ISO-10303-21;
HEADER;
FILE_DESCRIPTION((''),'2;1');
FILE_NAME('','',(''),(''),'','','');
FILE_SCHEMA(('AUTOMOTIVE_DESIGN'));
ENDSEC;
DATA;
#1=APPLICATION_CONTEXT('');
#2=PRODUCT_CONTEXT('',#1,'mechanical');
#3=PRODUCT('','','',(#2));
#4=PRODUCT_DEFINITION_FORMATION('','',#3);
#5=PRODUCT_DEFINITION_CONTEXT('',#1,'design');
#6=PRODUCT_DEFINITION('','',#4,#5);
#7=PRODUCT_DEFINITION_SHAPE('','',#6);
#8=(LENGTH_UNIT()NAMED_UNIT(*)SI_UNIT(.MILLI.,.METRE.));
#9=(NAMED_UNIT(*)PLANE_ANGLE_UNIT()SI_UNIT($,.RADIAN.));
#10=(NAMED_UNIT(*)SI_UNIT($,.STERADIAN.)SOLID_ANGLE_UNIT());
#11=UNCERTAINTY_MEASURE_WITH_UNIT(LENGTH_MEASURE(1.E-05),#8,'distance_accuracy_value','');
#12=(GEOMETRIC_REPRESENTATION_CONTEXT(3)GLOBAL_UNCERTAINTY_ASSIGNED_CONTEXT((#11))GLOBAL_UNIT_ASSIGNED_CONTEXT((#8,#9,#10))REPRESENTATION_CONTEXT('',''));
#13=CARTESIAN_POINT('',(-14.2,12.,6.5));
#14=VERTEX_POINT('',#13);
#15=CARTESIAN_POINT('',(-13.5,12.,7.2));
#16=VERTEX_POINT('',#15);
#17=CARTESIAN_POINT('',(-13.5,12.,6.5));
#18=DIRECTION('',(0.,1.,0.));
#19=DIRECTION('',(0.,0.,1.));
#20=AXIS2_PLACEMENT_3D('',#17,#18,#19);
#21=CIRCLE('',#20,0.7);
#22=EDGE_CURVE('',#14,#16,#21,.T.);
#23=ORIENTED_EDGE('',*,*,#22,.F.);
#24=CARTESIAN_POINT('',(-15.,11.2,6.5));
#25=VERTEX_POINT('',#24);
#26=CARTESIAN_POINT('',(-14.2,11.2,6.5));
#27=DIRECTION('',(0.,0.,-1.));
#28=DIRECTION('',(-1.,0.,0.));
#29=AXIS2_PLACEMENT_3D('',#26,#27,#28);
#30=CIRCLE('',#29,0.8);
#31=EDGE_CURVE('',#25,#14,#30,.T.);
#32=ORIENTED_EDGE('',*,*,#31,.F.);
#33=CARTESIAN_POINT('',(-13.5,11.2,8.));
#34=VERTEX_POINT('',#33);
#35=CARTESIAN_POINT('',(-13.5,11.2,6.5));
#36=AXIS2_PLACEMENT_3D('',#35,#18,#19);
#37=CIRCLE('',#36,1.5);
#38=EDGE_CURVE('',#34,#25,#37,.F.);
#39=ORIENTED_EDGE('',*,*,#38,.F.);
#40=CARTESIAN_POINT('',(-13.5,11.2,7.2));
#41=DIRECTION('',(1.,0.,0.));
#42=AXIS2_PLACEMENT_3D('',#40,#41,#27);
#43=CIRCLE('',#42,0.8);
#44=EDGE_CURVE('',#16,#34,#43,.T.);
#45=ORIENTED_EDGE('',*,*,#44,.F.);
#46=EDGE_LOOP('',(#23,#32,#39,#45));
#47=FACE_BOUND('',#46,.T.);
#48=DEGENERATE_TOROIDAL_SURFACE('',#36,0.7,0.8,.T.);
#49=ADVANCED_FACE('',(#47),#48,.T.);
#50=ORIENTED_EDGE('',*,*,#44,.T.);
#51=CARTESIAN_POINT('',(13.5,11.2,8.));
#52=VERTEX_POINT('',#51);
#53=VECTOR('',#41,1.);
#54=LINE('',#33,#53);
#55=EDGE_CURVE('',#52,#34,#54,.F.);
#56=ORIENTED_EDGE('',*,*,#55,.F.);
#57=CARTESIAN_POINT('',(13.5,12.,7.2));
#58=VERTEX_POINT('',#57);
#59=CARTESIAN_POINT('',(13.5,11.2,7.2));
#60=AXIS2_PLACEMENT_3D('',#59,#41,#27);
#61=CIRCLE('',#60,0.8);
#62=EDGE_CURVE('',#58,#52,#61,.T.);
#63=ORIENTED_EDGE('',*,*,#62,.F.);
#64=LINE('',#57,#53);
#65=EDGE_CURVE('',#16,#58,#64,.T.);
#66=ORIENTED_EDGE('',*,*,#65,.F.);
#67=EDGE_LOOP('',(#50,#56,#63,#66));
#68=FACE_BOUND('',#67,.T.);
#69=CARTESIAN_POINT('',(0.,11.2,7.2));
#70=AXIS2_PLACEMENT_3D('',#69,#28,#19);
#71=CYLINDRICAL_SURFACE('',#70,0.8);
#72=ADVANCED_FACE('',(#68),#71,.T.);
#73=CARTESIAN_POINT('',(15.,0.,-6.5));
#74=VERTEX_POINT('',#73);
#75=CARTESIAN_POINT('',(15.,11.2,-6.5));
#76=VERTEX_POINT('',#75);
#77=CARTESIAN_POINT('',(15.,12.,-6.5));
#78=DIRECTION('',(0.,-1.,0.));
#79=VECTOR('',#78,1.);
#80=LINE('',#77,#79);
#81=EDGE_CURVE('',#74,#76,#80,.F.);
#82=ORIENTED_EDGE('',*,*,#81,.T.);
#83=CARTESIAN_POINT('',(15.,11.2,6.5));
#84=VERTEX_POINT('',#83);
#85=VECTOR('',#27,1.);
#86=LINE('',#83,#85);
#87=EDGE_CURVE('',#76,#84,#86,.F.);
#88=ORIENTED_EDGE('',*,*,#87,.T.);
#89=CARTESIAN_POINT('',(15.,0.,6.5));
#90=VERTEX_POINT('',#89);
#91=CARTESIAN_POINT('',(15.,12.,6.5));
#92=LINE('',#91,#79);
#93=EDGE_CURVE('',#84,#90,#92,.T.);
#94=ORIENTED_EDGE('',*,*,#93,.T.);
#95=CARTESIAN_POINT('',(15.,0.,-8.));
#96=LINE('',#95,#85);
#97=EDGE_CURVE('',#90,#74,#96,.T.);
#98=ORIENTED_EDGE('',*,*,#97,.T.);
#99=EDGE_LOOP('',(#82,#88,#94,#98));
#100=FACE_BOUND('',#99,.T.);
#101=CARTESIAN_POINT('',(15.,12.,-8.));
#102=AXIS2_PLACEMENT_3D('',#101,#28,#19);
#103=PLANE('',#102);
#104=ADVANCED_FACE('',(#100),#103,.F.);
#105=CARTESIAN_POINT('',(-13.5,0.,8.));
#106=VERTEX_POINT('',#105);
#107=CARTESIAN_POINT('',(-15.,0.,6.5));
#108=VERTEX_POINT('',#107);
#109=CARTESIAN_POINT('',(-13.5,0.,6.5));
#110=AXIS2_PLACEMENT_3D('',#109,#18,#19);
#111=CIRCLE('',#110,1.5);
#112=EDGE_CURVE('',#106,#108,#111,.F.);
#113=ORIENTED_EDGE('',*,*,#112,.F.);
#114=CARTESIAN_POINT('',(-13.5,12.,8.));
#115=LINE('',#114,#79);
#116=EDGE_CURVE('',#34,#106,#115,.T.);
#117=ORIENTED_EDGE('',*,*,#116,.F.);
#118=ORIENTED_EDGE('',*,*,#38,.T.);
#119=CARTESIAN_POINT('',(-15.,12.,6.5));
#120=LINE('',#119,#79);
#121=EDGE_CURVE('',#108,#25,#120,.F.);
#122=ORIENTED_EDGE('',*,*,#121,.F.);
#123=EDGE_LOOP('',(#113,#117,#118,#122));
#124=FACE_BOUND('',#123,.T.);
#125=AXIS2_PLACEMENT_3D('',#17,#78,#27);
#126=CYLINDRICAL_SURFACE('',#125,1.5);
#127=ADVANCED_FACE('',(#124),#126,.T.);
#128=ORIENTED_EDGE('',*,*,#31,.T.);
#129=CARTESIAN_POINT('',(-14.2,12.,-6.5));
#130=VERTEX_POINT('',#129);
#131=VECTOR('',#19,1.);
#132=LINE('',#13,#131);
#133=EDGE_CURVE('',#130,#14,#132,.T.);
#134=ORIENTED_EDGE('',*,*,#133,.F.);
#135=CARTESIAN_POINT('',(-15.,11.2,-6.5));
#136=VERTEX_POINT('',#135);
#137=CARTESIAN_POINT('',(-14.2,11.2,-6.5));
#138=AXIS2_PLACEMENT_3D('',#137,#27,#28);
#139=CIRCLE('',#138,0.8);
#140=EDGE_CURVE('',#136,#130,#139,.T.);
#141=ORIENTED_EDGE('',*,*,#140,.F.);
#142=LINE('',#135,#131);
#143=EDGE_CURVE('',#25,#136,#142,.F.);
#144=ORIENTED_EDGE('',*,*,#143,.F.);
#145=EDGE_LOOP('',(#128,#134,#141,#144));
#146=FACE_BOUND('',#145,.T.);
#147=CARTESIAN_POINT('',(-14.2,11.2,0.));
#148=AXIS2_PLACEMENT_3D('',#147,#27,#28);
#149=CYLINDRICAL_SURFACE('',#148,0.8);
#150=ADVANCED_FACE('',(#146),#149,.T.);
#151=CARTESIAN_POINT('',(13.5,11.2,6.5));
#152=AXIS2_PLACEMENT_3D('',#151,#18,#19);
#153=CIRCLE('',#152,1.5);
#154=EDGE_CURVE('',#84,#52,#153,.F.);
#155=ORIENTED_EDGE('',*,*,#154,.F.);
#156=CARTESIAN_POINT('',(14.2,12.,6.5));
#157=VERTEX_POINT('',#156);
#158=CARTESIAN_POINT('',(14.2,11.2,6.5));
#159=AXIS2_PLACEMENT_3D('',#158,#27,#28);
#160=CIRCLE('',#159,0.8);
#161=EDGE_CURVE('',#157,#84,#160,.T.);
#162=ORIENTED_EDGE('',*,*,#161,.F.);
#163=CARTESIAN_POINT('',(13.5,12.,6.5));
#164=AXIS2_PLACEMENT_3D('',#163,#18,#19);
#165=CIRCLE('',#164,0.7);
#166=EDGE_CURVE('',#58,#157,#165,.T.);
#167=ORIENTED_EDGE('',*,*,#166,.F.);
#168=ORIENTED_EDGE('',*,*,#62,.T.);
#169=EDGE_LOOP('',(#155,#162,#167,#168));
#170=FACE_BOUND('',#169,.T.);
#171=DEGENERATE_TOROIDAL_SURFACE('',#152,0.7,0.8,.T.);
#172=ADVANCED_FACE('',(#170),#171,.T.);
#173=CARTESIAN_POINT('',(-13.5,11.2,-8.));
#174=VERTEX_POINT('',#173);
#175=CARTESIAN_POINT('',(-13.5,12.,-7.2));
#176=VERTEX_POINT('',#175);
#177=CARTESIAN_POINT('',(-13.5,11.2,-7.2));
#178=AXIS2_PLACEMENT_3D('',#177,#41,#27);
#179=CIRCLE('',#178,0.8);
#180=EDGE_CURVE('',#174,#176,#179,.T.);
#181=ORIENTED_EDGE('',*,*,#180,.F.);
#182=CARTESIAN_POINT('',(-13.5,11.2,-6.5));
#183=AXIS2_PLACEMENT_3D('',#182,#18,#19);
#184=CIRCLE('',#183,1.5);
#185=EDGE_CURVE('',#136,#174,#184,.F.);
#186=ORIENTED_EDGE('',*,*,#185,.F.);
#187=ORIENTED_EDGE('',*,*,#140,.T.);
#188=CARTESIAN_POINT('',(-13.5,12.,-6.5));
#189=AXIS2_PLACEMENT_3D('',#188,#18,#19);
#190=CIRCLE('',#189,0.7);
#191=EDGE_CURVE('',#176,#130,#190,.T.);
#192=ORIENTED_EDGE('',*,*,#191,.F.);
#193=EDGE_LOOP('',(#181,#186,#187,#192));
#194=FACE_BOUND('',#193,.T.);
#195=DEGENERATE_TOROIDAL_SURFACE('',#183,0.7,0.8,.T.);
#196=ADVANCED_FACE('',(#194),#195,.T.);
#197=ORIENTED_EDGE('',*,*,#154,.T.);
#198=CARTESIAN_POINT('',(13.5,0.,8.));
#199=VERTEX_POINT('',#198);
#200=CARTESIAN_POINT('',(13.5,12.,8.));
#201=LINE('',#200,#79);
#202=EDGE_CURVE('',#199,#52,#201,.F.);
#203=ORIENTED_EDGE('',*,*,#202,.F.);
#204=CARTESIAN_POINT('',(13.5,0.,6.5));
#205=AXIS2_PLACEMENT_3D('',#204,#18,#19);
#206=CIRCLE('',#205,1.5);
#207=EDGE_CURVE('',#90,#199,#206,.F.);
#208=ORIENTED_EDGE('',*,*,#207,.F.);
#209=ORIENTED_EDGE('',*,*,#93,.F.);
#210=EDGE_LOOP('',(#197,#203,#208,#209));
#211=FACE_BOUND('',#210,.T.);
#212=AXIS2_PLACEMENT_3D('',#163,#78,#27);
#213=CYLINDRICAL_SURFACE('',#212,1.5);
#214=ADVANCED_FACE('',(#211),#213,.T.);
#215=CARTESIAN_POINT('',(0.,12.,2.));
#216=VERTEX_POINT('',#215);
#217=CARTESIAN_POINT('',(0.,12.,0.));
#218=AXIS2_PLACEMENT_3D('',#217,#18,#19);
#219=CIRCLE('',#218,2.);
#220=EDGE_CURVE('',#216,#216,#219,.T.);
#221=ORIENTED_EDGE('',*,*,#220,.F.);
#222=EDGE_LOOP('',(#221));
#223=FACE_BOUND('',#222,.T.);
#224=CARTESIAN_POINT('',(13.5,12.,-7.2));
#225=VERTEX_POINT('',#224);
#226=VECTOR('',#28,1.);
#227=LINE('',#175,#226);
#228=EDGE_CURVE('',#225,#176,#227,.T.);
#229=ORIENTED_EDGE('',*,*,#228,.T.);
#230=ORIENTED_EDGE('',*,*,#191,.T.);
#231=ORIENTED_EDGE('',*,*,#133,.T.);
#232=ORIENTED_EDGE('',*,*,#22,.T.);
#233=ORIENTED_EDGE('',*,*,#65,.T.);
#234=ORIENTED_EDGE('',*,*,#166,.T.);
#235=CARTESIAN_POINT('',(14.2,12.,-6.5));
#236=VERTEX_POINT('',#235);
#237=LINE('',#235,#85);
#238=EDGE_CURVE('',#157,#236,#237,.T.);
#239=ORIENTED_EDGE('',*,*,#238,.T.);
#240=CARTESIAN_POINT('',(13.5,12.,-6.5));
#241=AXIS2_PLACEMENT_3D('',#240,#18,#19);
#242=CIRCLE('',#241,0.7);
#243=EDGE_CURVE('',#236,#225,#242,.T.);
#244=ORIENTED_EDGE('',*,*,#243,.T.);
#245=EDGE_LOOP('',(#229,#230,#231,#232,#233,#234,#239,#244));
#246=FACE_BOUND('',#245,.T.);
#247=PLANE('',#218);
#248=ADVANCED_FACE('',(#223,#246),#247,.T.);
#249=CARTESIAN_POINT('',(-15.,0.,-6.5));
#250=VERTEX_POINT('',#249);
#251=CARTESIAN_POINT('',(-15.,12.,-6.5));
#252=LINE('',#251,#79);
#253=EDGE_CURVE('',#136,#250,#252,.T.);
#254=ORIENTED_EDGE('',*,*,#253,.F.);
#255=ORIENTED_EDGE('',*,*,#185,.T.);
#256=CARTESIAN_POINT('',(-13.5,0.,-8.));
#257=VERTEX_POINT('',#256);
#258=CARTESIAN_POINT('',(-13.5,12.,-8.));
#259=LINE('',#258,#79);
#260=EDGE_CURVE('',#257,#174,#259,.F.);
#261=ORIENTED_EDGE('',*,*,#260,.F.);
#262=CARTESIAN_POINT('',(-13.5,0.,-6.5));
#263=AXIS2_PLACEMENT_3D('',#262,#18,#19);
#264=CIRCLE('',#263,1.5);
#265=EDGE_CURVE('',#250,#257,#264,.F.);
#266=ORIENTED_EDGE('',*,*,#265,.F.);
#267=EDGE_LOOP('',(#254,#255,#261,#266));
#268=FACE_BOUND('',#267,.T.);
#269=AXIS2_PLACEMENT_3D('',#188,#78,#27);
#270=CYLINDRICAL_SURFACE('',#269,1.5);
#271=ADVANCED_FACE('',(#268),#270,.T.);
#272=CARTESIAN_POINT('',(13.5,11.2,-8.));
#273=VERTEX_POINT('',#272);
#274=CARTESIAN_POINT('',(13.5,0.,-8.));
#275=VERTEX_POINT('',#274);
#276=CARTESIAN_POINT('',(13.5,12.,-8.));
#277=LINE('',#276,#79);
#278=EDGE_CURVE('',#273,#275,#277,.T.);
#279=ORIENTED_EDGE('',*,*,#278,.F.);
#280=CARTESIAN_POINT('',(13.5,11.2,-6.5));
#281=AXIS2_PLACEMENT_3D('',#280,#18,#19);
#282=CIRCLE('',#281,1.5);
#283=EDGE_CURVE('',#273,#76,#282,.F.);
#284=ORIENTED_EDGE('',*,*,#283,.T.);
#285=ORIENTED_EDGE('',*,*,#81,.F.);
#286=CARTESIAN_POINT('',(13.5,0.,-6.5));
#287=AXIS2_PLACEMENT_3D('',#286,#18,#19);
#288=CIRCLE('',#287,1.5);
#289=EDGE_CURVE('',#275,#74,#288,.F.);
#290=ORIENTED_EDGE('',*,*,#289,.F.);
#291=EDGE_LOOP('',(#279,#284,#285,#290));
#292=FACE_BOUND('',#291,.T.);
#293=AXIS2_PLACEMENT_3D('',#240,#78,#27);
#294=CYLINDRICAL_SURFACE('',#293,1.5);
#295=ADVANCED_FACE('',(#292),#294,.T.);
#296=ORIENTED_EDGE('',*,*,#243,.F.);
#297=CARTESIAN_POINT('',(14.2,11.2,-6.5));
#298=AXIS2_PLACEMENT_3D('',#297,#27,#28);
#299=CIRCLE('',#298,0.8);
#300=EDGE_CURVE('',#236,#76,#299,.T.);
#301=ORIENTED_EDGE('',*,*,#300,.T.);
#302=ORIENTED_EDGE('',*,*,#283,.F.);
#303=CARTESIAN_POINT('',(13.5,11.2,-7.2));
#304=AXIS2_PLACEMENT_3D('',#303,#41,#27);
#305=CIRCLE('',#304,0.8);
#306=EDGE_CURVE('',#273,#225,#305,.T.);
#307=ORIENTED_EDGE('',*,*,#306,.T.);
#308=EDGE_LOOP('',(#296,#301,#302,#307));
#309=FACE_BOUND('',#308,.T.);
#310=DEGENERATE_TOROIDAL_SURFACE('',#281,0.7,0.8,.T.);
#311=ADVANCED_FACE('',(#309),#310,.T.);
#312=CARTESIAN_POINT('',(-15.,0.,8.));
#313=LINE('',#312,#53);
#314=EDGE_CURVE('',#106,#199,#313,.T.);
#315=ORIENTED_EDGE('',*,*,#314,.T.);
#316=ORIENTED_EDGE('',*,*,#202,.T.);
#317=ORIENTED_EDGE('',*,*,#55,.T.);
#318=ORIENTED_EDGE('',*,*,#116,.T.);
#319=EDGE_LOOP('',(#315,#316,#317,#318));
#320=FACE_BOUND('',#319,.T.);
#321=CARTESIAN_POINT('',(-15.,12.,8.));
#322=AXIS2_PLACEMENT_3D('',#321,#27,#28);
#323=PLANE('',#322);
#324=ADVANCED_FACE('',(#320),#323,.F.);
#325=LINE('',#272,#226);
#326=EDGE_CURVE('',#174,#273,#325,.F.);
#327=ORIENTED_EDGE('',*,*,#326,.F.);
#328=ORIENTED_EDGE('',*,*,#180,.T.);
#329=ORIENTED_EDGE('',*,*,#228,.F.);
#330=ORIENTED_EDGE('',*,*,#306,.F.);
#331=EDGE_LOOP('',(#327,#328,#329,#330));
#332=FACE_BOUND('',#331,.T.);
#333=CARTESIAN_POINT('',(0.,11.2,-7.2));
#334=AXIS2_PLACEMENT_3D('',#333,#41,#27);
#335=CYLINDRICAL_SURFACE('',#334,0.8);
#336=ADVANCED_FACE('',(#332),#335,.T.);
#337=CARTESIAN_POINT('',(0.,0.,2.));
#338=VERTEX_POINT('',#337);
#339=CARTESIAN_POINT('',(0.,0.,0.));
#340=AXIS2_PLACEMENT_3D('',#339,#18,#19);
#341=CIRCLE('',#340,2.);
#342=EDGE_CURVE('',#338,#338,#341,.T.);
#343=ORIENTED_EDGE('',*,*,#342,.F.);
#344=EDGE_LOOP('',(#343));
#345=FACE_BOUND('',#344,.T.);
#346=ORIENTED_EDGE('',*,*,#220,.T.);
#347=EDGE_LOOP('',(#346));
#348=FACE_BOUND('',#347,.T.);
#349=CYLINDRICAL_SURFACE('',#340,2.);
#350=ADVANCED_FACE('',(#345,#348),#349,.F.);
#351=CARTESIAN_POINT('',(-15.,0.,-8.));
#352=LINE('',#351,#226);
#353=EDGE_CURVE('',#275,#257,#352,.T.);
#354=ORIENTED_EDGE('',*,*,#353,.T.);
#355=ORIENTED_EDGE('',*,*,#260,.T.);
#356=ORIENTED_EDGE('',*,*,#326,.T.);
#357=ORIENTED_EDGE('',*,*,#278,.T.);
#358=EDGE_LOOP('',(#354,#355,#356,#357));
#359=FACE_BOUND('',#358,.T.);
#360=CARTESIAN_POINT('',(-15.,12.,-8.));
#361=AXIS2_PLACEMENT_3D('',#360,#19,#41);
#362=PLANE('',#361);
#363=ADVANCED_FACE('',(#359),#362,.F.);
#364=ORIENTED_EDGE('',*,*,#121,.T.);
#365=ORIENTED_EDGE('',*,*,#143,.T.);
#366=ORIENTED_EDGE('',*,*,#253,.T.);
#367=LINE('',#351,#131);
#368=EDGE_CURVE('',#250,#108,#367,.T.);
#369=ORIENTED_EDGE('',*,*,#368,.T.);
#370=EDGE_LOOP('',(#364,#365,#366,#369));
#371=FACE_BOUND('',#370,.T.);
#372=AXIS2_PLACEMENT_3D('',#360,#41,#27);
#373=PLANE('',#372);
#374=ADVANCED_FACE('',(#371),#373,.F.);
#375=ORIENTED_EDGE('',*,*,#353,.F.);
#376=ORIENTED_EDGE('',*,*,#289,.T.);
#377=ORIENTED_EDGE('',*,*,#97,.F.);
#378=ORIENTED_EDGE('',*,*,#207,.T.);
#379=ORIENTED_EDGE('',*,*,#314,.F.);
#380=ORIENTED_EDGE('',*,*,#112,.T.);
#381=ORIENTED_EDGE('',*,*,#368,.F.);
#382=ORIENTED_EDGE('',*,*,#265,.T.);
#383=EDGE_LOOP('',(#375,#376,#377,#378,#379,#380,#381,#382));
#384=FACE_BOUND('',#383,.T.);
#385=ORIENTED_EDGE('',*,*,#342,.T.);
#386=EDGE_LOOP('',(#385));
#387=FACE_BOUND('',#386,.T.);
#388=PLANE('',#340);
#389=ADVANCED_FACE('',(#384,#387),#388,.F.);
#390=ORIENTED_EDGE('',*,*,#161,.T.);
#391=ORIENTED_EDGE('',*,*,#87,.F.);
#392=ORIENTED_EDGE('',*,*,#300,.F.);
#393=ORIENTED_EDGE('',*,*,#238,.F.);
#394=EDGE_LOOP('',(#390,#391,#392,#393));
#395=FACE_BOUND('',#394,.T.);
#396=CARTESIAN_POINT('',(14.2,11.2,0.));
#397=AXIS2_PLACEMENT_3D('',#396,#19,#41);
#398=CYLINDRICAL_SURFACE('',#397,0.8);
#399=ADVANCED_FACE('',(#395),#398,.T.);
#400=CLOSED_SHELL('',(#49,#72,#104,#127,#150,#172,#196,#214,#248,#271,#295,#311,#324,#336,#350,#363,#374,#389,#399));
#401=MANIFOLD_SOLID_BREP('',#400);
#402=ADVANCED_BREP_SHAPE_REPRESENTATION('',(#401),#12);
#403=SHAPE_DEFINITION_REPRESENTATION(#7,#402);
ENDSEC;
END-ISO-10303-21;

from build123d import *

# Parameters (mm, degrees)
SKETCH2_W           = 30
SKETCH2_H           = 16
BOSS_EXTRUDE1_DEPTH = 12
SKETCH3_R           = 2
CUT_EXTRUDE1_DEPTH  = 21.808652047
FILLET1_R           = 1.5
FILLET2_R           = 0.8


with BuildPart() as part:
    # Sketch2 → Boss-Extrude1 (new body)
    with BuildSketch(Plane(origin=(0, 0, 0), x_dir=(1, 0, 0), z_dir=(0, 1, 0))):
        Rectangle(SKETCH2_W, SKETCH2_H)
    extrude(amount=BOSS_EXTRUDE1_DEPTH)

    # Sketch3 → Cut-Extrude1 (cut, through all)
    with BuildSketch(Plane(origin=(0, 12, 0), x_dir=(1, 0, 0), z_dir=(0, 1, 0))):
        with Locations(Location((0, 0, 0), (0, 0, 270))):
            Circle(SKETCH3_R)
    extrude(amount=-CUT_EXTRUDE1_DEPTH, mode=Mode.SUBTRACT)

    # Fillet1
    fillet1_edges = [part.edges().sort_by_distance(p)[0] for p in [
        (15, 6, 8),
        (-15, 6, 8),
        (-15, 6, -8),
        (15, 6, -8),
    ]]
    fillet(fillet1_edges, radius=FILLET1_R)

    # Fillet2
    fillet2_edges = [part.edges().sort_by_distance(p)[0] for p in [
        (0, 12, 8),
        (-15, 12, 0),
        (15, 12, 0),
        (0, 12, -8),
        (14.560660172, 12, 7.560660172),
        (14.560660172, 12, -7.560660172),
        (-14.560660172, 12, -7.560660172),
        (-14.560660172, 12, 7.560660172),
    ]]
    fillet(fillet2_edges, radius=FILLET2_R)


solid = part.part
